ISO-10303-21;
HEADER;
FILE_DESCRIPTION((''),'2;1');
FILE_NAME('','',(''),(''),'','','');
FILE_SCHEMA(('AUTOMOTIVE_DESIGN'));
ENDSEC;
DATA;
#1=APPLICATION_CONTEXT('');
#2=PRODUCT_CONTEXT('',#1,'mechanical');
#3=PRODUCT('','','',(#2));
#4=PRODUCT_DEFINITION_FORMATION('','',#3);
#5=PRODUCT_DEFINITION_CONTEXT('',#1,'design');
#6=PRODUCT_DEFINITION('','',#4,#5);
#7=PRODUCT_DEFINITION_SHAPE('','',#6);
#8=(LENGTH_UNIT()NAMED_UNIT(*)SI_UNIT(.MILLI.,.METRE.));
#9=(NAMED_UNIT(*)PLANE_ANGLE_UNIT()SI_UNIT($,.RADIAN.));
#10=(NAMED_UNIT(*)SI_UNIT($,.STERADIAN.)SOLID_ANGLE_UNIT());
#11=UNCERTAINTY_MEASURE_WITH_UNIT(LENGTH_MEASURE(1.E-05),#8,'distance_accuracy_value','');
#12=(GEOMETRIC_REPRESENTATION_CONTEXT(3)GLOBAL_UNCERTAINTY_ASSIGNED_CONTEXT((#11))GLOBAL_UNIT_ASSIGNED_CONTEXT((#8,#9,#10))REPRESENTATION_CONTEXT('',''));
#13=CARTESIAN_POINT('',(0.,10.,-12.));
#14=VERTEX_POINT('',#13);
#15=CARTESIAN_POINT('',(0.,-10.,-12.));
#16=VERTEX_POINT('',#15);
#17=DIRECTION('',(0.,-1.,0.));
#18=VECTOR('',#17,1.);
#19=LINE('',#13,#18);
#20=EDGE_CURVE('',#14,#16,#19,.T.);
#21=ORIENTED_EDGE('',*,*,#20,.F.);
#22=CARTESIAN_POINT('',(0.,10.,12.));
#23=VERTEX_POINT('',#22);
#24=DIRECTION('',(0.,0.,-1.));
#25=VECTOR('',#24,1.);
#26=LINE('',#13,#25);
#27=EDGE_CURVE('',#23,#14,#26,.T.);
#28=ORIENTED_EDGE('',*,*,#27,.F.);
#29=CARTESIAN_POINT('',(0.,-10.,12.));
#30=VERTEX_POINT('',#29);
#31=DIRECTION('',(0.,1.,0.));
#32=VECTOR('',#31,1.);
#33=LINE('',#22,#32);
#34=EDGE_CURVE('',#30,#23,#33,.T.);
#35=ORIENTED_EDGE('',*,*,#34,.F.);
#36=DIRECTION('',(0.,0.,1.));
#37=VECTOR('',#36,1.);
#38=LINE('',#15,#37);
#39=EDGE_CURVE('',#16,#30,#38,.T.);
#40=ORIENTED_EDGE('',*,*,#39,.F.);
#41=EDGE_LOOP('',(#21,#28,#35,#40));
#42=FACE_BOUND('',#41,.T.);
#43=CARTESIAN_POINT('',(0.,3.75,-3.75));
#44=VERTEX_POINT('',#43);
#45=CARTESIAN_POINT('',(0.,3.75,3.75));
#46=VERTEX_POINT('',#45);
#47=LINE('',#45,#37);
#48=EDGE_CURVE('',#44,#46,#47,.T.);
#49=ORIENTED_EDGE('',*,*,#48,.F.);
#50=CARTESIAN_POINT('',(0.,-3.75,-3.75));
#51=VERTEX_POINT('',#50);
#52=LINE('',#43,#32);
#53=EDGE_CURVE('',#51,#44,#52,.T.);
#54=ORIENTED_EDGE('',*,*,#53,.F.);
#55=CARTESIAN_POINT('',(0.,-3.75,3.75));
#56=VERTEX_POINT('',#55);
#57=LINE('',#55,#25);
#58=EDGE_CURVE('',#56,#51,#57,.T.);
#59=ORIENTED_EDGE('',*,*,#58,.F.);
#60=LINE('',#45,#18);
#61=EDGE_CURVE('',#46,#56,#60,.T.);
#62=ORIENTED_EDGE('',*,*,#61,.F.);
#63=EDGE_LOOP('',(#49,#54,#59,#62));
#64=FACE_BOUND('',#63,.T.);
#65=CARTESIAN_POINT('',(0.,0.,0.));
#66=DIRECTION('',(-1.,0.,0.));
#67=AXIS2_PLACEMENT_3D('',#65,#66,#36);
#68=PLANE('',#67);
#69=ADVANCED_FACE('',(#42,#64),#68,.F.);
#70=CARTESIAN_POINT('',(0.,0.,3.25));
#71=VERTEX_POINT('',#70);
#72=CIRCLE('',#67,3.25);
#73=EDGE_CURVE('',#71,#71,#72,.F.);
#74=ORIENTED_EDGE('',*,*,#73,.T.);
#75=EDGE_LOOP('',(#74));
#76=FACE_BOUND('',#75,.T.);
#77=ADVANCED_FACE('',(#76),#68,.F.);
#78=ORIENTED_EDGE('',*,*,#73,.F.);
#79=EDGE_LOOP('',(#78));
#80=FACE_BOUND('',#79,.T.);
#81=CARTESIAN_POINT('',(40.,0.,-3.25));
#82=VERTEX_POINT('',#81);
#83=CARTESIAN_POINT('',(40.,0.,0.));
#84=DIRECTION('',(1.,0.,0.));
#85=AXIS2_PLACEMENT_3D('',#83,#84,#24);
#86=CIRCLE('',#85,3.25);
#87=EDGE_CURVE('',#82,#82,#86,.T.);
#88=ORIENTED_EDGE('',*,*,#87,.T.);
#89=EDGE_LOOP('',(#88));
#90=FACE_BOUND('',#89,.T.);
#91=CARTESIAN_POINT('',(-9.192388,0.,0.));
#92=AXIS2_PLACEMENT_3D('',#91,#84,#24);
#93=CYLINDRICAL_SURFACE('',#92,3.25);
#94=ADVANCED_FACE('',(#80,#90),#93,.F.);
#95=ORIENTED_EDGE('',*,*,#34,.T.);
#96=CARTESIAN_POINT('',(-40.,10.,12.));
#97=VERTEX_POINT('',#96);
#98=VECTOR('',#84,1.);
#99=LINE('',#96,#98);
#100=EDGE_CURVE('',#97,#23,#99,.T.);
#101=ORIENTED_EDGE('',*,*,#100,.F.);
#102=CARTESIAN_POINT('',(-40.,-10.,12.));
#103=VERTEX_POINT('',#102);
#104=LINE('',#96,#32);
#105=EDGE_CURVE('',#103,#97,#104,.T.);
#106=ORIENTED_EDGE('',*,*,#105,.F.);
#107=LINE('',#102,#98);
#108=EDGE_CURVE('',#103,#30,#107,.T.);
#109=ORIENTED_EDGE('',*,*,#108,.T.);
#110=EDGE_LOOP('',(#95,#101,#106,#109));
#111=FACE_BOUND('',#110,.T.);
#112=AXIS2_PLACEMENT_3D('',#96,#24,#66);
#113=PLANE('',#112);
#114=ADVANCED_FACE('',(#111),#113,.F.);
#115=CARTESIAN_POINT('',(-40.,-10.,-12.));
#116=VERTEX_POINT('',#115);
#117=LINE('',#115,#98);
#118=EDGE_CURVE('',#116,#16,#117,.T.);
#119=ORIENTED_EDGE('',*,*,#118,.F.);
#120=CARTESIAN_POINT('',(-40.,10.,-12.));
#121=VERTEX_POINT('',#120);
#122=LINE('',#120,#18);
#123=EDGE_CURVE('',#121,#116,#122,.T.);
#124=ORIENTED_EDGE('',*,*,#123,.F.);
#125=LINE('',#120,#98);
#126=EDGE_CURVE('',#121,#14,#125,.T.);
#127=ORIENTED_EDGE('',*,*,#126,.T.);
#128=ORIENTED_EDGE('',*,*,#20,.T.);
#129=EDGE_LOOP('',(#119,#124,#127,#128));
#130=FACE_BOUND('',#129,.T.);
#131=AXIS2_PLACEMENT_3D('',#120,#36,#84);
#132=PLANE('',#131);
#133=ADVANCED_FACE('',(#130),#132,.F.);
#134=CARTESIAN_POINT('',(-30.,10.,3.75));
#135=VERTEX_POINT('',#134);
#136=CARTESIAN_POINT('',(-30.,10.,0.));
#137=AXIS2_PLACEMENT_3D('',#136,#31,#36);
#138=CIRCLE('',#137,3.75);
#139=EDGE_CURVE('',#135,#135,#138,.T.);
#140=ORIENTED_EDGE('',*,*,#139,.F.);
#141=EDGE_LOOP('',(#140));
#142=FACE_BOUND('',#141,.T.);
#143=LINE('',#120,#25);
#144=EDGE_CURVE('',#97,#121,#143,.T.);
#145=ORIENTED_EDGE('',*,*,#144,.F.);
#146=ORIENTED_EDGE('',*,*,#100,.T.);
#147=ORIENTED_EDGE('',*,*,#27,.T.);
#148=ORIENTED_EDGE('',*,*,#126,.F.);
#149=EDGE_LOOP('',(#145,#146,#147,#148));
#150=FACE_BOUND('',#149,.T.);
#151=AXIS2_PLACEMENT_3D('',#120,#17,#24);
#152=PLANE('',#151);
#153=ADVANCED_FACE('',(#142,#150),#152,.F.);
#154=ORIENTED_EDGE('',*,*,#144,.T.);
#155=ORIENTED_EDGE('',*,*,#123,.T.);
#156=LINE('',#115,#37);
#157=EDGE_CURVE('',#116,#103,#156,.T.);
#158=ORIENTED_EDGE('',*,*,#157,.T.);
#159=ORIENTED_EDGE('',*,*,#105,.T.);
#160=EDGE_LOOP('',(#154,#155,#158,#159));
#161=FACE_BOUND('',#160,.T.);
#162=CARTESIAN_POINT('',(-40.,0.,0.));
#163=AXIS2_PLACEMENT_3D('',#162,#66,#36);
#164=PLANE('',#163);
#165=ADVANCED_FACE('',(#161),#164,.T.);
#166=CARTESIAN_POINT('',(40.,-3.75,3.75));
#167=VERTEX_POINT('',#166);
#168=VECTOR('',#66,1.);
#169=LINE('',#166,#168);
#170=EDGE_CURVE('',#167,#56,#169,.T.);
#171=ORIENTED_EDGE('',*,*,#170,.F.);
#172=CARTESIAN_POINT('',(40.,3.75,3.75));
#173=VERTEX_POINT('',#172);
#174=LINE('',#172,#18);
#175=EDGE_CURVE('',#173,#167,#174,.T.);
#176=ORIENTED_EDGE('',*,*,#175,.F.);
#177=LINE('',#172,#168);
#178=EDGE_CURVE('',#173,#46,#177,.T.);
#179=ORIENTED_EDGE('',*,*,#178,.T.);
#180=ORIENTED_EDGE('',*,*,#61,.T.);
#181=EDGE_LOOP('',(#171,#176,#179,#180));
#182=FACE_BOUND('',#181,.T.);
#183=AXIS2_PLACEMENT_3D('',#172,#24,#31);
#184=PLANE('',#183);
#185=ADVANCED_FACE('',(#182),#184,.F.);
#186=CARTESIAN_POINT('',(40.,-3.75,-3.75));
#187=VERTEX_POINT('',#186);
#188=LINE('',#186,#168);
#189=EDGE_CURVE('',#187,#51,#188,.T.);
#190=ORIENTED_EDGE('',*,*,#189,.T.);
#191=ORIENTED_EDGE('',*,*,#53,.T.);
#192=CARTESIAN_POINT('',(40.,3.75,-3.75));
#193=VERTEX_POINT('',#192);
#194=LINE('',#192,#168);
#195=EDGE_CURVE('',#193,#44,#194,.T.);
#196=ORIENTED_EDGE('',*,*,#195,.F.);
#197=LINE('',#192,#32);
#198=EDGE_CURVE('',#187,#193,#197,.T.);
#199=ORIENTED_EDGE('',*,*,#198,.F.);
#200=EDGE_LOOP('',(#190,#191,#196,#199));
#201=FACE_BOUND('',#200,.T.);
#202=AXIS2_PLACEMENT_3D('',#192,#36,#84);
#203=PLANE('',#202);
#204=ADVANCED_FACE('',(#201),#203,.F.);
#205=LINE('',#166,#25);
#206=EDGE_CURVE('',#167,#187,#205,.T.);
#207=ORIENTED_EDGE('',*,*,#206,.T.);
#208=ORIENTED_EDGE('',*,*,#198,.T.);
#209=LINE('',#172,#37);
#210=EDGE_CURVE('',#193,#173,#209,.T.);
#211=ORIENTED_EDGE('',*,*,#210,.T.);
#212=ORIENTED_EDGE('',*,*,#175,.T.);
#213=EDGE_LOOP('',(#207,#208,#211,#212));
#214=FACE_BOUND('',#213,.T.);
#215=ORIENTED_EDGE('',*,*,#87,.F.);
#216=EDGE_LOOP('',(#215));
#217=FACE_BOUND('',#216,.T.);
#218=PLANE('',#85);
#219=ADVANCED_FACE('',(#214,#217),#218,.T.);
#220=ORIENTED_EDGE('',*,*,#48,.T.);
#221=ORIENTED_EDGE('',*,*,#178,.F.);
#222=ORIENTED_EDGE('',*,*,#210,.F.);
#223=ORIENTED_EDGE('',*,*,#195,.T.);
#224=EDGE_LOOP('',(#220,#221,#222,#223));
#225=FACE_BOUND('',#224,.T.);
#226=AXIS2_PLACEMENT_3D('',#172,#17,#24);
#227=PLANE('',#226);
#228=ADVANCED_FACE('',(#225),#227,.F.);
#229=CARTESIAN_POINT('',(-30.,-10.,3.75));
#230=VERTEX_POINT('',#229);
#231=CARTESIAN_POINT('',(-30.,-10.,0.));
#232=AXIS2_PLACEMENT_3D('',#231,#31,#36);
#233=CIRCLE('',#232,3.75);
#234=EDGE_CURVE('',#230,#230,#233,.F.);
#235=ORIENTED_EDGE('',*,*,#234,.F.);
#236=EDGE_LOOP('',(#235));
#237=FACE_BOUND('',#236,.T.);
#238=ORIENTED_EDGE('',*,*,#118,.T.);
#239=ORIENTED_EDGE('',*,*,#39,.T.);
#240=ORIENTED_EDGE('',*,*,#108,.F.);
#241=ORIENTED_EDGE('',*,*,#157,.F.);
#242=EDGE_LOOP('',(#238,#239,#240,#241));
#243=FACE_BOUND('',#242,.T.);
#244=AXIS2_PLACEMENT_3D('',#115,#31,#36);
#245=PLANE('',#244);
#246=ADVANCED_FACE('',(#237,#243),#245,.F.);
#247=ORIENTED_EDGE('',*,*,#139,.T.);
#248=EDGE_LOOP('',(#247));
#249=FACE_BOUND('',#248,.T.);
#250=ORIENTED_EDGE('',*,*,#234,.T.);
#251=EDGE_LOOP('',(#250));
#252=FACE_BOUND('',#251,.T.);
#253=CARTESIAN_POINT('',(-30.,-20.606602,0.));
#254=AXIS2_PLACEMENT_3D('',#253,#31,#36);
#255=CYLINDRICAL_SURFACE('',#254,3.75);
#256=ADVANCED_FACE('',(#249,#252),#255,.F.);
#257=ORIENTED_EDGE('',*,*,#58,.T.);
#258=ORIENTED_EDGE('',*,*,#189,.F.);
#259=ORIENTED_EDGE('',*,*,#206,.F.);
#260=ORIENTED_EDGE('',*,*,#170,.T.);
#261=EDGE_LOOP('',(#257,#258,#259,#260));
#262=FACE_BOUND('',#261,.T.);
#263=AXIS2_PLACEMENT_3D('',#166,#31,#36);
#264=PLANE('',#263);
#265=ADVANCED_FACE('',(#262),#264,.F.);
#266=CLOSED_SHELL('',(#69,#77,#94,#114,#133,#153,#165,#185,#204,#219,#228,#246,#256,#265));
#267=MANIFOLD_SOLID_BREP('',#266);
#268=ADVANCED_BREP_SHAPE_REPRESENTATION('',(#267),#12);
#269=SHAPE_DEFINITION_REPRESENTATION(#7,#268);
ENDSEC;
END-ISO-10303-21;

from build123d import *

# Parameters (mm, degrees)
SKETCH1_W           = 7.5
SKETCH1_H           = 7.5
BOSS_EXTRUDE1_DEPTH = 40
SKETCH2_W           = 24
SKETCH2_H           = 20
BOSS_EXTRUDE2_DEPTH = 40
SKETCH4_R           = 3.75
CUT_EXTRUDE1_DEPTH  = 20
SKETCH3_R           = 3.25
CUT_EXTRUDE2_DEPTH  = 40


with BuildPart() as part:
    # Sketch1 → Boss-Extrude1 (new body)
    with BuildSketch(Plane(origin=(0, 0, 0), x_dir=(0, 0, -1), z_dir=(1, 0, 0))):
        Rectangle(SKETCH1_W, SKETCH1_H)
    extrude(amount=BOSS_EXTRUDE1_DEPTH)

    # Sketch2 → Boss-Extrude2 (add)
    with BuildSketch(Plane.ZY):
        Rectangle(SKETCH2_W, SKETCH2_H)
    extrude(amount=BOSS_EXTRUDE2_DEPTH)

    # Sketch4 → Cut-Extrude1 (cut)
    with BuildSketch(Plane(origin=(0, 10, 0), x_dir=(1, 0, 0), z_dir=(0, 1, 0))):
        with Locations((-30, 0)):
            Circle(SKETCH4_R)
    extrude(amount=-CUT_EXTRUDE1_DEPTH, mode=Mode.SUBTRACT)

    # Sketch3 → Cut-Extrude2 (cut)
    with BuildSketch(Plane(origin=(40, 0, 0), x_dir=(0, 0, -1), z_dir=(1, 0, 0))):
        Circle(SKETCH3_R)
    extrude(amount=-CUT_EXTRUDE2_DEPTH, mode=Mode.SUBTRACT)


solid = part.part
